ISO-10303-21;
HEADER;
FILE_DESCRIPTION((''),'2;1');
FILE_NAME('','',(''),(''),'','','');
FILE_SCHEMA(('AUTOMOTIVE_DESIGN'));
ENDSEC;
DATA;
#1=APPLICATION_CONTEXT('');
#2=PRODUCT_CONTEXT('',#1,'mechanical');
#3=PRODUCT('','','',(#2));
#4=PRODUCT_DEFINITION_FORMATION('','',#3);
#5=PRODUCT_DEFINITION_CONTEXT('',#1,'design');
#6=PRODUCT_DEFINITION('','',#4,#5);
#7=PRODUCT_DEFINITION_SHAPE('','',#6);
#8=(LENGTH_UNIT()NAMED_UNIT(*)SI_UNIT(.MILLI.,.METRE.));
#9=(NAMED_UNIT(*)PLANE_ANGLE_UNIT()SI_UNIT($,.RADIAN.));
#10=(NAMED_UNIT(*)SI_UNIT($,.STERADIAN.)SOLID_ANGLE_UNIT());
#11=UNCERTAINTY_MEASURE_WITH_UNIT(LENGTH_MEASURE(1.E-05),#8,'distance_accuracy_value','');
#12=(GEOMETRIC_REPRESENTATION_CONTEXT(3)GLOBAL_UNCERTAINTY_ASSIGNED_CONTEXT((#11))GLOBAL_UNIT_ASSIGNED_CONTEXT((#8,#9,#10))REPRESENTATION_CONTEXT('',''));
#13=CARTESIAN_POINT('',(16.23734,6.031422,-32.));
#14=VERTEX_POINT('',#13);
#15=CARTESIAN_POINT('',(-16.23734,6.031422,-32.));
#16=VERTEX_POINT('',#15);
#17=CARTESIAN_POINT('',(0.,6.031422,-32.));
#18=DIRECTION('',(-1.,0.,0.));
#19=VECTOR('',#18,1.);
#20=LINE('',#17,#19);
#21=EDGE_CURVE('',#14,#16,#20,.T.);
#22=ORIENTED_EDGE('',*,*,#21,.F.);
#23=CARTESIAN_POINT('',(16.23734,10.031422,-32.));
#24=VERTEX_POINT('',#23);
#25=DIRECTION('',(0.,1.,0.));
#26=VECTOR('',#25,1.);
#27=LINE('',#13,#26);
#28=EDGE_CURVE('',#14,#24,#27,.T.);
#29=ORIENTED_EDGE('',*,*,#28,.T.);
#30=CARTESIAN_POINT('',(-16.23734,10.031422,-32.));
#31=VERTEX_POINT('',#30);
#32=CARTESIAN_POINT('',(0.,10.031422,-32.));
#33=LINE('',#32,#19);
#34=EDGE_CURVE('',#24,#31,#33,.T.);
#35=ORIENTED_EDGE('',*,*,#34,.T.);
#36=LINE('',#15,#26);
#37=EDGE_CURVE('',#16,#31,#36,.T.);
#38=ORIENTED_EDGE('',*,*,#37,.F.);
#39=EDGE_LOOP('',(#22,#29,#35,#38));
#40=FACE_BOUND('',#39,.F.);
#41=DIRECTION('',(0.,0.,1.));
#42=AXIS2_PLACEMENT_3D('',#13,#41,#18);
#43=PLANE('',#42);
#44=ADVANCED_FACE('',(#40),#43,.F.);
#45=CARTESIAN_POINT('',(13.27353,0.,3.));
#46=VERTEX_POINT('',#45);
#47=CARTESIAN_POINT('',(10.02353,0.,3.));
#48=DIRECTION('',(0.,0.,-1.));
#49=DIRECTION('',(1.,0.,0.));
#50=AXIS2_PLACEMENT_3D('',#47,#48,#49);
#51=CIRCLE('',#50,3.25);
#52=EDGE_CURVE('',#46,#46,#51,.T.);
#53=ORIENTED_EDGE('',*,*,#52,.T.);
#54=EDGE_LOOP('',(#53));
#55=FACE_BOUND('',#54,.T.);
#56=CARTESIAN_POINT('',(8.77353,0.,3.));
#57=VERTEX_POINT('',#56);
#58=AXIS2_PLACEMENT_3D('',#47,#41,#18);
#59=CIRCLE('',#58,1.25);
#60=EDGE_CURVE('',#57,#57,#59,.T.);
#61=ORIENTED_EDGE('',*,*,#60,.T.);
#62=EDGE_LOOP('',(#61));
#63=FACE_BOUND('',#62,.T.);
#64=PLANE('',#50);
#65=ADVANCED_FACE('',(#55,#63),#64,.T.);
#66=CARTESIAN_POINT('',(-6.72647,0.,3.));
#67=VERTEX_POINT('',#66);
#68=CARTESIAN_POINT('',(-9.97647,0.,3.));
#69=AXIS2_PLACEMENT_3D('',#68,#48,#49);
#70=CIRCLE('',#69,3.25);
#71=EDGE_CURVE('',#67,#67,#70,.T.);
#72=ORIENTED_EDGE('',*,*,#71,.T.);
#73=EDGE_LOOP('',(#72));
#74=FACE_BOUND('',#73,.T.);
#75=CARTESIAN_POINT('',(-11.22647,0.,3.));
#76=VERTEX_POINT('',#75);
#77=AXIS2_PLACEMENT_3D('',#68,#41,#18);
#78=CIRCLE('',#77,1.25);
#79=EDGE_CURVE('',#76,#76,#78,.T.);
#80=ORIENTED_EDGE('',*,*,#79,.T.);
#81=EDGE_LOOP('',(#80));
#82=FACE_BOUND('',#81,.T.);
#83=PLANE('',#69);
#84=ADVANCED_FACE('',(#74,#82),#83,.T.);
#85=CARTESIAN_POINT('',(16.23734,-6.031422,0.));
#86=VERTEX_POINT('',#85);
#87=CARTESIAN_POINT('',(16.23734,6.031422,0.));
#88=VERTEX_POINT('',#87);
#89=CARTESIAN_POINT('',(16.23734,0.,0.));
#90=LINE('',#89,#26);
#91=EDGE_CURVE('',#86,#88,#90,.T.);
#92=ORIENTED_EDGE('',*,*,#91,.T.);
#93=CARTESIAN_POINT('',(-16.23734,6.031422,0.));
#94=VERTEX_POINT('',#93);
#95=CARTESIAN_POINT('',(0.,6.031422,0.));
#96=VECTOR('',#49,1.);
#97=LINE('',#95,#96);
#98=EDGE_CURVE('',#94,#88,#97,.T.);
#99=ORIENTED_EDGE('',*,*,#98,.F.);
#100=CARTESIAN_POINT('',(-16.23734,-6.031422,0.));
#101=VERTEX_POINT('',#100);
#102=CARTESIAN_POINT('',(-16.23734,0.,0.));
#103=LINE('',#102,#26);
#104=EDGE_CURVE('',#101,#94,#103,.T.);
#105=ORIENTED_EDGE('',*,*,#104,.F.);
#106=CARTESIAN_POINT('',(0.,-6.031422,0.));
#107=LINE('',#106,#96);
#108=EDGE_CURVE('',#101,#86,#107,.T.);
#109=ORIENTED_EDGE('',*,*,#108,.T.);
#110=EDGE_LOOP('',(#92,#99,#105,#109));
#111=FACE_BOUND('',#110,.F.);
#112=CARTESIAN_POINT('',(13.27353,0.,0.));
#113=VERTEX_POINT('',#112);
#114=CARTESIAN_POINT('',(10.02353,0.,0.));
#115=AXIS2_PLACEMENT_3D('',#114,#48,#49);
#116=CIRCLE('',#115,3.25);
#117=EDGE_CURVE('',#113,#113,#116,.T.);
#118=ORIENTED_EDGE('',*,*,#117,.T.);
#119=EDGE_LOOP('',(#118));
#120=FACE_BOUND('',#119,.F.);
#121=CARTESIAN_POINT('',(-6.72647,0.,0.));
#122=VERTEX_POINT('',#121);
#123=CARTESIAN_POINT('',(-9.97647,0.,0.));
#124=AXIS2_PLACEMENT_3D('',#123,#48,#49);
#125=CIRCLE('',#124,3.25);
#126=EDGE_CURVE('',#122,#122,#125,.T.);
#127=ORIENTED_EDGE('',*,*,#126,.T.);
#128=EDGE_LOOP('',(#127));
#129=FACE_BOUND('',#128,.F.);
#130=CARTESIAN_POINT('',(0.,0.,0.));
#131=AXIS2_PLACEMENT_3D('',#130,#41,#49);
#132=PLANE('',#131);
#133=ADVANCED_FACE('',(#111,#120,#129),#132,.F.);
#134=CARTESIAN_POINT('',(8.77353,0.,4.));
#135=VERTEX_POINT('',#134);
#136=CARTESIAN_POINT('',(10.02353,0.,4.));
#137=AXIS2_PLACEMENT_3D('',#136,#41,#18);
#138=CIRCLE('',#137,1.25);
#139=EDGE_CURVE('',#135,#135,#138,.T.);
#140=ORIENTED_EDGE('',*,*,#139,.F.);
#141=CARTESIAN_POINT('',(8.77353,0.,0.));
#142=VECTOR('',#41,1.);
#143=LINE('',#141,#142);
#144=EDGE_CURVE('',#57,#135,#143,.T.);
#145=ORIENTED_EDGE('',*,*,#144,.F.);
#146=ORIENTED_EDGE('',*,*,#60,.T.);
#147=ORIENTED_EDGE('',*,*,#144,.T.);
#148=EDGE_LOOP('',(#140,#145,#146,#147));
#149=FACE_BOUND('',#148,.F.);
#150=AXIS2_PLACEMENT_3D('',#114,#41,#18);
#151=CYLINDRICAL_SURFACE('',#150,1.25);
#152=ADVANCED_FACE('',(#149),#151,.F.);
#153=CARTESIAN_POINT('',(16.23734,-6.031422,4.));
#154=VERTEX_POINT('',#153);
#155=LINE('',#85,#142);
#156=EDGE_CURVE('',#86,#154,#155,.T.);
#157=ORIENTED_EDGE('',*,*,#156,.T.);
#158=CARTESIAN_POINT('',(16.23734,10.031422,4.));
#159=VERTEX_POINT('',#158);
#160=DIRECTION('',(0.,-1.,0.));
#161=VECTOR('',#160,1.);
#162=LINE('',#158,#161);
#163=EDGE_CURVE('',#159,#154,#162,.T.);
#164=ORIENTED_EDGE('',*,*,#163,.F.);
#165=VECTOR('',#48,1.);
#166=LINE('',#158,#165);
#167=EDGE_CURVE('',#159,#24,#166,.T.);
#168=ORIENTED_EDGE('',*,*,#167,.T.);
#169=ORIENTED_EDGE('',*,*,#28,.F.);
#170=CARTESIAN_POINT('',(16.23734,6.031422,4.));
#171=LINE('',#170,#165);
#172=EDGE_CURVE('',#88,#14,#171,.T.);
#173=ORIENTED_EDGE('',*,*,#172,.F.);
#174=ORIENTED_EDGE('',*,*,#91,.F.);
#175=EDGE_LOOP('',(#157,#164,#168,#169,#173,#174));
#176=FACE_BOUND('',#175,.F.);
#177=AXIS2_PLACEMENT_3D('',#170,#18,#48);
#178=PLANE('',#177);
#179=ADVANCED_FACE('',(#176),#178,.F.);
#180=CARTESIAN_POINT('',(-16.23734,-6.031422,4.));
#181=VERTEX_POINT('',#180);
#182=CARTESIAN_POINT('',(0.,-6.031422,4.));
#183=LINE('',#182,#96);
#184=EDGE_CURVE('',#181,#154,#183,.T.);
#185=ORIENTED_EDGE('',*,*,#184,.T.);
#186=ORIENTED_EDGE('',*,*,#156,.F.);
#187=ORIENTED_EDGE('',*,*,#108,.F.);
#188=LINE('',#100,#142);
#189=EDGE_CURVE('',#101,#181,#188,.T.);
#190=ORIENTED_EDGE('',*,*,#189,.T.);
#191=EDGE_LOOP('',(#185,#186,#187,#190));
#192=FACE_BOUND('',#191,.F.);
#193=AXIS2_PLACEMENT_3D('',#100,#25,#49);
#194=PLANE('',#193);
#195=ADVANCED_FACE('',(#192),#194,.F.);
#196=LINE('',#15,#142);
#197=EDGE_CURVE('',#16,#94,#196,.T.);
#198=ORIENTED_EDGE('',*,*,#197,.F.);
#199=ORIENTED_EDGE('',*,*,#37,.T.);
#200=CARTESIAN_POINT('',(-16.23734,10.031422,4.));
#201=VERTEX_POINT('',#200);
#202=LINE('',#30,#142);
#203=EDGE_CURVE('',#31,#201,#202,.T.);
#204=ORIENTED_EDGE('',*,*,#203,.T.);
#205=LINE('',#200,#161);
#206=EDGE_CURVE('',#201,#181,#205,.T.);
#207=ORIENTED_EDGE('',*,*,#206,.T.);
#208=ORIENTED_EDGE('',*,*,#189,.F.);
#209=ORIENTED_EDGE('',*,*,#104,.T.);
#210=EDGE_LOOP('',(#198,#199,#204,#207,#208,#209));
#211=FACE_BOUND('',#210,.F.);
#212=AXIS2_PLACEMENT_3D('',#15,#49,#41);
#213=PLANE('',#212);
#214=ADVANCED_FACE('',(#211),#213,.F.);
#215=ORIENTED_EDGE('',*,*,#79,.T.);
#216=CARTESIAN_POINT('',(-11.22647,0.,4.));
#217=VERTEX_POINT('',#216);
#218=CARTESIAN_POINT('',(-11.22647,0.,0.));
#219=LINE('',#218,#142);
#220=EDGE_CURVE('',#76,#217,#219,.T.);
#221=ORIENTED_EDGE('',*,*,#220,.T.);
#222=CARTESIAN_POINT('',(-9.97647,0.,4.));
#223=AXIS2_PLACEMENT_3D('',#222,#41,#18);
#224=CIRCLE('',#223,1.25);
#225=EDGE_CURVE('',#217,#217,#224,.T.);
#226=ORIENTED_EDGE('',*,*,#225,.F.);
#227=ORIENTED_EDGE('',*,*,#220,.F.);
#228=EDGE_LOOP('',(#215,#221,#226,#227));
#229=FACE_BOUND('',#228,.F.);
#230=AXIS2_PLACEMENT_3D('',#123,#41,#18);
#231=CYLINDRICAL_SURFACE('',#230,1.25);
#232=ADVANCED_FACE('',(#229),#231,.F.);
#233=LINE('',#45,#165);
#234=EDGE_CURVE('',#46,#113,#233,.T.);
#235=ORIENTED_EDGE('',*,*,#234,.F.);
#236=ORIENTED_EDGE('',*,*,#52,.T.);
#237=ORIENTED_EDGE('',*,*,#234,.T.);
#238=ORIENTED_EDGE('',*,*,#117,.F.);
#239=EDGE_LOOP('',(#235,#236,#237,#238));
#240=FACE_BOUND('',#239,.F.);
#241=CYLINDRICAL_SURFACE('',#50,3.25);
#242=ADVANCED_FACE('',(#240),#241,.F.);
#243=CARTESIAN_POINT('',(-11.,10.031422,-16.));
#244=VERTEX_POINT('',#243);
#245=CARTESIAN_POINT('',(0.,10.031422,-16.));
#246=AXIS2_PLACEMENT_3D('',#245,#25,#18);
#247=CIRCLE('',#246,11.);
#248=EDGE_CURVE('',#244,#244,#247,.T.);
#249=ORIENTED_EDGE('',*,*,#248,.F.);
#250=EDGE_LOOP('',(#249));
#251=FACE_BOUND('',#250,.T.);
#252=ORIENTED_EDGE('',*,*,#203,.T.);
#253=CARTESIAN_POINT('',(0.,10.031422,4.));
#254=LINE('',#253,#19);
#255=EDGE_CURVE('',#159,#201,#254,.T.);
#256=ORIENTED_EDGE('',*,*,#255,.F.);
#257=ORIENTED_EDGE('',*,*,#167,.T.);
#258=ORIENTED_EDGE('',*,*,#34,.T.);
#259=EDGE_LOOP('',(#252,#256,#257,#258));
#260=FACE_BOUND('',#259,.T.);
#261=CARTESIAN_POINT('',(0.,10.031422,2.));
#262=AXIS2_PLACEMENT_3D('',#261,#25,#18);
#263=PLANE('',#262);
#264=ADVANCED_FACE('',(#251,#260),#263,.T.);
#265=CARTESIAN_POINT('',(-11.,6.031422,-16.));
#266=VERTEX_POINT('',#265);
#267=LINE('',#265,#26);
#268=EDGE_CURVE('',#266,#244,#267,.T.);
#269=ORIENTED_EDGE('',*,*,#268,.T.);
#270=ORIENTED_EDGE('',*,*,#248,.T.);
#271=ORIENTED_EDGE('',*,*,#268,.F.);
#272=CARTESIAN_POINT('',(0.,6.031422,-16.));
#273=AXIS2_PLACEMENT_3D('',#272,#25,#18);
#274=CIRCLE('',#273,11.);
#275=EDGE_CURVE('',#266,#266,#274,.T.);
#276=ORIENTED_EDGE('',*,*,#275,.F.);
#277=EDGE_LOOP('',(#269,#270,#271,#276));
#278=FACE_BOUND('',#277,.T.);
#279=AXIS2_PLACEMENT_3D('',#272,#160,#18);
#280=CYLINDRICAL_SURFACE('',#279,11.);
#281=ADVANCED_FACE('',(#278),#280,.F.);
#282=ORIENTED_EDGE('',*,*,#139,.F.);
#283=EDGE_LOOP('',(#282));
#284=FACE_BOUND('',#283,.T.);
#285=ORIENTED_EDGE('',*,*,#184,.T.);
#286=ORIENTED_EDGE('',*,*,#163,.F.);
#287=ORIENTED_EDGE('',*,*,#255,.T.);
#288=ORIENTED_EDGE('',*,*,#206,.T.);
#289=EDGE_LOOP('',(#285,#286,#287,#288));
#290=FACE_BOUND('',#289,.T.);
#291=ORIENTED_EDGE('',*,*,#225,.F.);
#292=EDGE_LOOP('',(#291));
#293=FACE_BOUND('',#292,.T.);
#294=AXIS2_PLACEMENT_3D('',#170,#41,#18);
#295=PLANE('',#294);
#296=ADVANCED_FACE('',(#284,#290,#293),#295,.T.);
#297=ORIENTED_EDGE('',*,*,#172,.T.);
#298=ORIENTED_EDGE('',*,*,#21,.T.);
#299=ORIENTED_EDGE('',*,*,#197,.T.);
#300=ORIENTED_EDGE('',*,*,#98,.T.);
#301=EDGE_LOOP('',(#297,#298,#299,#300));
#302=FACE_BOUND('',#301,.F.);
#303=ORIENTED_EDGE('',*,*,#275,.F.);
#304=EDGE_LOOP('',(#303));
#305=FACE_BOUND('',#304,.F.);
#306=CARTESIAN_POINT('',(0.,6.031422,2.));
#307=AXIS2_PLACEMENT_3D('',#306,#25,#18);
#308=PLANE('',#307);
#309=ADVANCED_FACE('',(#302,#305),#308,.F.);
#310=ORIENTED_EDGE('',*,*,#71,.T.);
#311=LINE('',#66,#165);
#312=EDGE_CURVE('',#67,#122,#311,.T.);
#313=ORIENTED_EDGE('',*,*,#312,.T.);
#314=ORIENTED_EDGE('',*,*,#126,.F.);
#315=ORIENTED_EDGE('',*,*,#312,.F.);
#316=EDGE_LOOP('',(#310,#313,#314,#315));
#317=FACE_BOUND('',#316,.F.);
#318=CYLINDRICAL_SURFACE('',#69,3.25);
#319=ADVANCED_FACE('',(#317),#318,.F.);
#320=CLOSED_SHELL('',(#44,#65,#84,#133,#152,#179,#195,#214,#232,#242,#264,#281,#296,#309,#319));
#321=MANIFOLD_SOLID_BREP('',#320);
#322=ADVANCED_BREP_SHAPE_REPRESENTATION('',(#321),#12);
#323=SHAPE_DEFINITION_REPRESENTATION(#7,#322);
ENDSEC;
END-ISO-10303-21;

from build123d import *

# Parameters (mm, degrees)
F0_W           = 32.4746801579
F0_H           = 12.0628447294
F1_DEPTH       = 4
F2_D           = 2.5
F2_DEPTH       = 13.5
F2_CBORE_D     = 6.5
F2_CBORE_DEPTH = 3
F2_TIP         = 0.7510757738
F3_W           = 32.4746801579
F3_H           = 4
F3_H_2         = 32
F3_R           = 11
F4_DEPTH       = 4


with BuildPart() as f1:
    # F0 (on Top) → F1 (new body)
    with BuildSketch(Plane.XY):
        Rectangle(F0_W, F0_H)
    extrude(amount=F1_DEPTH)

    # F2
    with Locations(Plane(origin=(0, 0, 0), x_dir=(1, 0, 0), z_dir=(0, 0, -1))):
        with Locations((10.0235303257, 0), (-9.9764696743, 0)):
            CounterBoreHole(F2_D / 2, F2_CBORE_D / 2, F2_CBORE_DEPTH, depth=F2_DEPTH)
            with Locations((0, 0, -(F2_DEPTH + F2_TIP / 2))):  # 118° drill point
                Cone(0, F2_D / 2, F2_TIP, mode=Mode.SUBTRACT)

    # F3 (on face) → F4 (join)
    with BuildSketch(Plane(origin=(0, 6.0314223647, 0), x_dir=(-1, 0, 0), z_dir=(0, 1, 0))):
        with Locations((0, 2)):
            Rectangle(F3_W, F3_H)
        with Locations((0, -16)):
            Rectangle(F3_W, F3_H_2)
        with Locations((0, -16)):
            Circle(F3_R, mode=Mode.SUBTRACT)
    extrude(amount=F4_DEPTH)


solid = f1.part
